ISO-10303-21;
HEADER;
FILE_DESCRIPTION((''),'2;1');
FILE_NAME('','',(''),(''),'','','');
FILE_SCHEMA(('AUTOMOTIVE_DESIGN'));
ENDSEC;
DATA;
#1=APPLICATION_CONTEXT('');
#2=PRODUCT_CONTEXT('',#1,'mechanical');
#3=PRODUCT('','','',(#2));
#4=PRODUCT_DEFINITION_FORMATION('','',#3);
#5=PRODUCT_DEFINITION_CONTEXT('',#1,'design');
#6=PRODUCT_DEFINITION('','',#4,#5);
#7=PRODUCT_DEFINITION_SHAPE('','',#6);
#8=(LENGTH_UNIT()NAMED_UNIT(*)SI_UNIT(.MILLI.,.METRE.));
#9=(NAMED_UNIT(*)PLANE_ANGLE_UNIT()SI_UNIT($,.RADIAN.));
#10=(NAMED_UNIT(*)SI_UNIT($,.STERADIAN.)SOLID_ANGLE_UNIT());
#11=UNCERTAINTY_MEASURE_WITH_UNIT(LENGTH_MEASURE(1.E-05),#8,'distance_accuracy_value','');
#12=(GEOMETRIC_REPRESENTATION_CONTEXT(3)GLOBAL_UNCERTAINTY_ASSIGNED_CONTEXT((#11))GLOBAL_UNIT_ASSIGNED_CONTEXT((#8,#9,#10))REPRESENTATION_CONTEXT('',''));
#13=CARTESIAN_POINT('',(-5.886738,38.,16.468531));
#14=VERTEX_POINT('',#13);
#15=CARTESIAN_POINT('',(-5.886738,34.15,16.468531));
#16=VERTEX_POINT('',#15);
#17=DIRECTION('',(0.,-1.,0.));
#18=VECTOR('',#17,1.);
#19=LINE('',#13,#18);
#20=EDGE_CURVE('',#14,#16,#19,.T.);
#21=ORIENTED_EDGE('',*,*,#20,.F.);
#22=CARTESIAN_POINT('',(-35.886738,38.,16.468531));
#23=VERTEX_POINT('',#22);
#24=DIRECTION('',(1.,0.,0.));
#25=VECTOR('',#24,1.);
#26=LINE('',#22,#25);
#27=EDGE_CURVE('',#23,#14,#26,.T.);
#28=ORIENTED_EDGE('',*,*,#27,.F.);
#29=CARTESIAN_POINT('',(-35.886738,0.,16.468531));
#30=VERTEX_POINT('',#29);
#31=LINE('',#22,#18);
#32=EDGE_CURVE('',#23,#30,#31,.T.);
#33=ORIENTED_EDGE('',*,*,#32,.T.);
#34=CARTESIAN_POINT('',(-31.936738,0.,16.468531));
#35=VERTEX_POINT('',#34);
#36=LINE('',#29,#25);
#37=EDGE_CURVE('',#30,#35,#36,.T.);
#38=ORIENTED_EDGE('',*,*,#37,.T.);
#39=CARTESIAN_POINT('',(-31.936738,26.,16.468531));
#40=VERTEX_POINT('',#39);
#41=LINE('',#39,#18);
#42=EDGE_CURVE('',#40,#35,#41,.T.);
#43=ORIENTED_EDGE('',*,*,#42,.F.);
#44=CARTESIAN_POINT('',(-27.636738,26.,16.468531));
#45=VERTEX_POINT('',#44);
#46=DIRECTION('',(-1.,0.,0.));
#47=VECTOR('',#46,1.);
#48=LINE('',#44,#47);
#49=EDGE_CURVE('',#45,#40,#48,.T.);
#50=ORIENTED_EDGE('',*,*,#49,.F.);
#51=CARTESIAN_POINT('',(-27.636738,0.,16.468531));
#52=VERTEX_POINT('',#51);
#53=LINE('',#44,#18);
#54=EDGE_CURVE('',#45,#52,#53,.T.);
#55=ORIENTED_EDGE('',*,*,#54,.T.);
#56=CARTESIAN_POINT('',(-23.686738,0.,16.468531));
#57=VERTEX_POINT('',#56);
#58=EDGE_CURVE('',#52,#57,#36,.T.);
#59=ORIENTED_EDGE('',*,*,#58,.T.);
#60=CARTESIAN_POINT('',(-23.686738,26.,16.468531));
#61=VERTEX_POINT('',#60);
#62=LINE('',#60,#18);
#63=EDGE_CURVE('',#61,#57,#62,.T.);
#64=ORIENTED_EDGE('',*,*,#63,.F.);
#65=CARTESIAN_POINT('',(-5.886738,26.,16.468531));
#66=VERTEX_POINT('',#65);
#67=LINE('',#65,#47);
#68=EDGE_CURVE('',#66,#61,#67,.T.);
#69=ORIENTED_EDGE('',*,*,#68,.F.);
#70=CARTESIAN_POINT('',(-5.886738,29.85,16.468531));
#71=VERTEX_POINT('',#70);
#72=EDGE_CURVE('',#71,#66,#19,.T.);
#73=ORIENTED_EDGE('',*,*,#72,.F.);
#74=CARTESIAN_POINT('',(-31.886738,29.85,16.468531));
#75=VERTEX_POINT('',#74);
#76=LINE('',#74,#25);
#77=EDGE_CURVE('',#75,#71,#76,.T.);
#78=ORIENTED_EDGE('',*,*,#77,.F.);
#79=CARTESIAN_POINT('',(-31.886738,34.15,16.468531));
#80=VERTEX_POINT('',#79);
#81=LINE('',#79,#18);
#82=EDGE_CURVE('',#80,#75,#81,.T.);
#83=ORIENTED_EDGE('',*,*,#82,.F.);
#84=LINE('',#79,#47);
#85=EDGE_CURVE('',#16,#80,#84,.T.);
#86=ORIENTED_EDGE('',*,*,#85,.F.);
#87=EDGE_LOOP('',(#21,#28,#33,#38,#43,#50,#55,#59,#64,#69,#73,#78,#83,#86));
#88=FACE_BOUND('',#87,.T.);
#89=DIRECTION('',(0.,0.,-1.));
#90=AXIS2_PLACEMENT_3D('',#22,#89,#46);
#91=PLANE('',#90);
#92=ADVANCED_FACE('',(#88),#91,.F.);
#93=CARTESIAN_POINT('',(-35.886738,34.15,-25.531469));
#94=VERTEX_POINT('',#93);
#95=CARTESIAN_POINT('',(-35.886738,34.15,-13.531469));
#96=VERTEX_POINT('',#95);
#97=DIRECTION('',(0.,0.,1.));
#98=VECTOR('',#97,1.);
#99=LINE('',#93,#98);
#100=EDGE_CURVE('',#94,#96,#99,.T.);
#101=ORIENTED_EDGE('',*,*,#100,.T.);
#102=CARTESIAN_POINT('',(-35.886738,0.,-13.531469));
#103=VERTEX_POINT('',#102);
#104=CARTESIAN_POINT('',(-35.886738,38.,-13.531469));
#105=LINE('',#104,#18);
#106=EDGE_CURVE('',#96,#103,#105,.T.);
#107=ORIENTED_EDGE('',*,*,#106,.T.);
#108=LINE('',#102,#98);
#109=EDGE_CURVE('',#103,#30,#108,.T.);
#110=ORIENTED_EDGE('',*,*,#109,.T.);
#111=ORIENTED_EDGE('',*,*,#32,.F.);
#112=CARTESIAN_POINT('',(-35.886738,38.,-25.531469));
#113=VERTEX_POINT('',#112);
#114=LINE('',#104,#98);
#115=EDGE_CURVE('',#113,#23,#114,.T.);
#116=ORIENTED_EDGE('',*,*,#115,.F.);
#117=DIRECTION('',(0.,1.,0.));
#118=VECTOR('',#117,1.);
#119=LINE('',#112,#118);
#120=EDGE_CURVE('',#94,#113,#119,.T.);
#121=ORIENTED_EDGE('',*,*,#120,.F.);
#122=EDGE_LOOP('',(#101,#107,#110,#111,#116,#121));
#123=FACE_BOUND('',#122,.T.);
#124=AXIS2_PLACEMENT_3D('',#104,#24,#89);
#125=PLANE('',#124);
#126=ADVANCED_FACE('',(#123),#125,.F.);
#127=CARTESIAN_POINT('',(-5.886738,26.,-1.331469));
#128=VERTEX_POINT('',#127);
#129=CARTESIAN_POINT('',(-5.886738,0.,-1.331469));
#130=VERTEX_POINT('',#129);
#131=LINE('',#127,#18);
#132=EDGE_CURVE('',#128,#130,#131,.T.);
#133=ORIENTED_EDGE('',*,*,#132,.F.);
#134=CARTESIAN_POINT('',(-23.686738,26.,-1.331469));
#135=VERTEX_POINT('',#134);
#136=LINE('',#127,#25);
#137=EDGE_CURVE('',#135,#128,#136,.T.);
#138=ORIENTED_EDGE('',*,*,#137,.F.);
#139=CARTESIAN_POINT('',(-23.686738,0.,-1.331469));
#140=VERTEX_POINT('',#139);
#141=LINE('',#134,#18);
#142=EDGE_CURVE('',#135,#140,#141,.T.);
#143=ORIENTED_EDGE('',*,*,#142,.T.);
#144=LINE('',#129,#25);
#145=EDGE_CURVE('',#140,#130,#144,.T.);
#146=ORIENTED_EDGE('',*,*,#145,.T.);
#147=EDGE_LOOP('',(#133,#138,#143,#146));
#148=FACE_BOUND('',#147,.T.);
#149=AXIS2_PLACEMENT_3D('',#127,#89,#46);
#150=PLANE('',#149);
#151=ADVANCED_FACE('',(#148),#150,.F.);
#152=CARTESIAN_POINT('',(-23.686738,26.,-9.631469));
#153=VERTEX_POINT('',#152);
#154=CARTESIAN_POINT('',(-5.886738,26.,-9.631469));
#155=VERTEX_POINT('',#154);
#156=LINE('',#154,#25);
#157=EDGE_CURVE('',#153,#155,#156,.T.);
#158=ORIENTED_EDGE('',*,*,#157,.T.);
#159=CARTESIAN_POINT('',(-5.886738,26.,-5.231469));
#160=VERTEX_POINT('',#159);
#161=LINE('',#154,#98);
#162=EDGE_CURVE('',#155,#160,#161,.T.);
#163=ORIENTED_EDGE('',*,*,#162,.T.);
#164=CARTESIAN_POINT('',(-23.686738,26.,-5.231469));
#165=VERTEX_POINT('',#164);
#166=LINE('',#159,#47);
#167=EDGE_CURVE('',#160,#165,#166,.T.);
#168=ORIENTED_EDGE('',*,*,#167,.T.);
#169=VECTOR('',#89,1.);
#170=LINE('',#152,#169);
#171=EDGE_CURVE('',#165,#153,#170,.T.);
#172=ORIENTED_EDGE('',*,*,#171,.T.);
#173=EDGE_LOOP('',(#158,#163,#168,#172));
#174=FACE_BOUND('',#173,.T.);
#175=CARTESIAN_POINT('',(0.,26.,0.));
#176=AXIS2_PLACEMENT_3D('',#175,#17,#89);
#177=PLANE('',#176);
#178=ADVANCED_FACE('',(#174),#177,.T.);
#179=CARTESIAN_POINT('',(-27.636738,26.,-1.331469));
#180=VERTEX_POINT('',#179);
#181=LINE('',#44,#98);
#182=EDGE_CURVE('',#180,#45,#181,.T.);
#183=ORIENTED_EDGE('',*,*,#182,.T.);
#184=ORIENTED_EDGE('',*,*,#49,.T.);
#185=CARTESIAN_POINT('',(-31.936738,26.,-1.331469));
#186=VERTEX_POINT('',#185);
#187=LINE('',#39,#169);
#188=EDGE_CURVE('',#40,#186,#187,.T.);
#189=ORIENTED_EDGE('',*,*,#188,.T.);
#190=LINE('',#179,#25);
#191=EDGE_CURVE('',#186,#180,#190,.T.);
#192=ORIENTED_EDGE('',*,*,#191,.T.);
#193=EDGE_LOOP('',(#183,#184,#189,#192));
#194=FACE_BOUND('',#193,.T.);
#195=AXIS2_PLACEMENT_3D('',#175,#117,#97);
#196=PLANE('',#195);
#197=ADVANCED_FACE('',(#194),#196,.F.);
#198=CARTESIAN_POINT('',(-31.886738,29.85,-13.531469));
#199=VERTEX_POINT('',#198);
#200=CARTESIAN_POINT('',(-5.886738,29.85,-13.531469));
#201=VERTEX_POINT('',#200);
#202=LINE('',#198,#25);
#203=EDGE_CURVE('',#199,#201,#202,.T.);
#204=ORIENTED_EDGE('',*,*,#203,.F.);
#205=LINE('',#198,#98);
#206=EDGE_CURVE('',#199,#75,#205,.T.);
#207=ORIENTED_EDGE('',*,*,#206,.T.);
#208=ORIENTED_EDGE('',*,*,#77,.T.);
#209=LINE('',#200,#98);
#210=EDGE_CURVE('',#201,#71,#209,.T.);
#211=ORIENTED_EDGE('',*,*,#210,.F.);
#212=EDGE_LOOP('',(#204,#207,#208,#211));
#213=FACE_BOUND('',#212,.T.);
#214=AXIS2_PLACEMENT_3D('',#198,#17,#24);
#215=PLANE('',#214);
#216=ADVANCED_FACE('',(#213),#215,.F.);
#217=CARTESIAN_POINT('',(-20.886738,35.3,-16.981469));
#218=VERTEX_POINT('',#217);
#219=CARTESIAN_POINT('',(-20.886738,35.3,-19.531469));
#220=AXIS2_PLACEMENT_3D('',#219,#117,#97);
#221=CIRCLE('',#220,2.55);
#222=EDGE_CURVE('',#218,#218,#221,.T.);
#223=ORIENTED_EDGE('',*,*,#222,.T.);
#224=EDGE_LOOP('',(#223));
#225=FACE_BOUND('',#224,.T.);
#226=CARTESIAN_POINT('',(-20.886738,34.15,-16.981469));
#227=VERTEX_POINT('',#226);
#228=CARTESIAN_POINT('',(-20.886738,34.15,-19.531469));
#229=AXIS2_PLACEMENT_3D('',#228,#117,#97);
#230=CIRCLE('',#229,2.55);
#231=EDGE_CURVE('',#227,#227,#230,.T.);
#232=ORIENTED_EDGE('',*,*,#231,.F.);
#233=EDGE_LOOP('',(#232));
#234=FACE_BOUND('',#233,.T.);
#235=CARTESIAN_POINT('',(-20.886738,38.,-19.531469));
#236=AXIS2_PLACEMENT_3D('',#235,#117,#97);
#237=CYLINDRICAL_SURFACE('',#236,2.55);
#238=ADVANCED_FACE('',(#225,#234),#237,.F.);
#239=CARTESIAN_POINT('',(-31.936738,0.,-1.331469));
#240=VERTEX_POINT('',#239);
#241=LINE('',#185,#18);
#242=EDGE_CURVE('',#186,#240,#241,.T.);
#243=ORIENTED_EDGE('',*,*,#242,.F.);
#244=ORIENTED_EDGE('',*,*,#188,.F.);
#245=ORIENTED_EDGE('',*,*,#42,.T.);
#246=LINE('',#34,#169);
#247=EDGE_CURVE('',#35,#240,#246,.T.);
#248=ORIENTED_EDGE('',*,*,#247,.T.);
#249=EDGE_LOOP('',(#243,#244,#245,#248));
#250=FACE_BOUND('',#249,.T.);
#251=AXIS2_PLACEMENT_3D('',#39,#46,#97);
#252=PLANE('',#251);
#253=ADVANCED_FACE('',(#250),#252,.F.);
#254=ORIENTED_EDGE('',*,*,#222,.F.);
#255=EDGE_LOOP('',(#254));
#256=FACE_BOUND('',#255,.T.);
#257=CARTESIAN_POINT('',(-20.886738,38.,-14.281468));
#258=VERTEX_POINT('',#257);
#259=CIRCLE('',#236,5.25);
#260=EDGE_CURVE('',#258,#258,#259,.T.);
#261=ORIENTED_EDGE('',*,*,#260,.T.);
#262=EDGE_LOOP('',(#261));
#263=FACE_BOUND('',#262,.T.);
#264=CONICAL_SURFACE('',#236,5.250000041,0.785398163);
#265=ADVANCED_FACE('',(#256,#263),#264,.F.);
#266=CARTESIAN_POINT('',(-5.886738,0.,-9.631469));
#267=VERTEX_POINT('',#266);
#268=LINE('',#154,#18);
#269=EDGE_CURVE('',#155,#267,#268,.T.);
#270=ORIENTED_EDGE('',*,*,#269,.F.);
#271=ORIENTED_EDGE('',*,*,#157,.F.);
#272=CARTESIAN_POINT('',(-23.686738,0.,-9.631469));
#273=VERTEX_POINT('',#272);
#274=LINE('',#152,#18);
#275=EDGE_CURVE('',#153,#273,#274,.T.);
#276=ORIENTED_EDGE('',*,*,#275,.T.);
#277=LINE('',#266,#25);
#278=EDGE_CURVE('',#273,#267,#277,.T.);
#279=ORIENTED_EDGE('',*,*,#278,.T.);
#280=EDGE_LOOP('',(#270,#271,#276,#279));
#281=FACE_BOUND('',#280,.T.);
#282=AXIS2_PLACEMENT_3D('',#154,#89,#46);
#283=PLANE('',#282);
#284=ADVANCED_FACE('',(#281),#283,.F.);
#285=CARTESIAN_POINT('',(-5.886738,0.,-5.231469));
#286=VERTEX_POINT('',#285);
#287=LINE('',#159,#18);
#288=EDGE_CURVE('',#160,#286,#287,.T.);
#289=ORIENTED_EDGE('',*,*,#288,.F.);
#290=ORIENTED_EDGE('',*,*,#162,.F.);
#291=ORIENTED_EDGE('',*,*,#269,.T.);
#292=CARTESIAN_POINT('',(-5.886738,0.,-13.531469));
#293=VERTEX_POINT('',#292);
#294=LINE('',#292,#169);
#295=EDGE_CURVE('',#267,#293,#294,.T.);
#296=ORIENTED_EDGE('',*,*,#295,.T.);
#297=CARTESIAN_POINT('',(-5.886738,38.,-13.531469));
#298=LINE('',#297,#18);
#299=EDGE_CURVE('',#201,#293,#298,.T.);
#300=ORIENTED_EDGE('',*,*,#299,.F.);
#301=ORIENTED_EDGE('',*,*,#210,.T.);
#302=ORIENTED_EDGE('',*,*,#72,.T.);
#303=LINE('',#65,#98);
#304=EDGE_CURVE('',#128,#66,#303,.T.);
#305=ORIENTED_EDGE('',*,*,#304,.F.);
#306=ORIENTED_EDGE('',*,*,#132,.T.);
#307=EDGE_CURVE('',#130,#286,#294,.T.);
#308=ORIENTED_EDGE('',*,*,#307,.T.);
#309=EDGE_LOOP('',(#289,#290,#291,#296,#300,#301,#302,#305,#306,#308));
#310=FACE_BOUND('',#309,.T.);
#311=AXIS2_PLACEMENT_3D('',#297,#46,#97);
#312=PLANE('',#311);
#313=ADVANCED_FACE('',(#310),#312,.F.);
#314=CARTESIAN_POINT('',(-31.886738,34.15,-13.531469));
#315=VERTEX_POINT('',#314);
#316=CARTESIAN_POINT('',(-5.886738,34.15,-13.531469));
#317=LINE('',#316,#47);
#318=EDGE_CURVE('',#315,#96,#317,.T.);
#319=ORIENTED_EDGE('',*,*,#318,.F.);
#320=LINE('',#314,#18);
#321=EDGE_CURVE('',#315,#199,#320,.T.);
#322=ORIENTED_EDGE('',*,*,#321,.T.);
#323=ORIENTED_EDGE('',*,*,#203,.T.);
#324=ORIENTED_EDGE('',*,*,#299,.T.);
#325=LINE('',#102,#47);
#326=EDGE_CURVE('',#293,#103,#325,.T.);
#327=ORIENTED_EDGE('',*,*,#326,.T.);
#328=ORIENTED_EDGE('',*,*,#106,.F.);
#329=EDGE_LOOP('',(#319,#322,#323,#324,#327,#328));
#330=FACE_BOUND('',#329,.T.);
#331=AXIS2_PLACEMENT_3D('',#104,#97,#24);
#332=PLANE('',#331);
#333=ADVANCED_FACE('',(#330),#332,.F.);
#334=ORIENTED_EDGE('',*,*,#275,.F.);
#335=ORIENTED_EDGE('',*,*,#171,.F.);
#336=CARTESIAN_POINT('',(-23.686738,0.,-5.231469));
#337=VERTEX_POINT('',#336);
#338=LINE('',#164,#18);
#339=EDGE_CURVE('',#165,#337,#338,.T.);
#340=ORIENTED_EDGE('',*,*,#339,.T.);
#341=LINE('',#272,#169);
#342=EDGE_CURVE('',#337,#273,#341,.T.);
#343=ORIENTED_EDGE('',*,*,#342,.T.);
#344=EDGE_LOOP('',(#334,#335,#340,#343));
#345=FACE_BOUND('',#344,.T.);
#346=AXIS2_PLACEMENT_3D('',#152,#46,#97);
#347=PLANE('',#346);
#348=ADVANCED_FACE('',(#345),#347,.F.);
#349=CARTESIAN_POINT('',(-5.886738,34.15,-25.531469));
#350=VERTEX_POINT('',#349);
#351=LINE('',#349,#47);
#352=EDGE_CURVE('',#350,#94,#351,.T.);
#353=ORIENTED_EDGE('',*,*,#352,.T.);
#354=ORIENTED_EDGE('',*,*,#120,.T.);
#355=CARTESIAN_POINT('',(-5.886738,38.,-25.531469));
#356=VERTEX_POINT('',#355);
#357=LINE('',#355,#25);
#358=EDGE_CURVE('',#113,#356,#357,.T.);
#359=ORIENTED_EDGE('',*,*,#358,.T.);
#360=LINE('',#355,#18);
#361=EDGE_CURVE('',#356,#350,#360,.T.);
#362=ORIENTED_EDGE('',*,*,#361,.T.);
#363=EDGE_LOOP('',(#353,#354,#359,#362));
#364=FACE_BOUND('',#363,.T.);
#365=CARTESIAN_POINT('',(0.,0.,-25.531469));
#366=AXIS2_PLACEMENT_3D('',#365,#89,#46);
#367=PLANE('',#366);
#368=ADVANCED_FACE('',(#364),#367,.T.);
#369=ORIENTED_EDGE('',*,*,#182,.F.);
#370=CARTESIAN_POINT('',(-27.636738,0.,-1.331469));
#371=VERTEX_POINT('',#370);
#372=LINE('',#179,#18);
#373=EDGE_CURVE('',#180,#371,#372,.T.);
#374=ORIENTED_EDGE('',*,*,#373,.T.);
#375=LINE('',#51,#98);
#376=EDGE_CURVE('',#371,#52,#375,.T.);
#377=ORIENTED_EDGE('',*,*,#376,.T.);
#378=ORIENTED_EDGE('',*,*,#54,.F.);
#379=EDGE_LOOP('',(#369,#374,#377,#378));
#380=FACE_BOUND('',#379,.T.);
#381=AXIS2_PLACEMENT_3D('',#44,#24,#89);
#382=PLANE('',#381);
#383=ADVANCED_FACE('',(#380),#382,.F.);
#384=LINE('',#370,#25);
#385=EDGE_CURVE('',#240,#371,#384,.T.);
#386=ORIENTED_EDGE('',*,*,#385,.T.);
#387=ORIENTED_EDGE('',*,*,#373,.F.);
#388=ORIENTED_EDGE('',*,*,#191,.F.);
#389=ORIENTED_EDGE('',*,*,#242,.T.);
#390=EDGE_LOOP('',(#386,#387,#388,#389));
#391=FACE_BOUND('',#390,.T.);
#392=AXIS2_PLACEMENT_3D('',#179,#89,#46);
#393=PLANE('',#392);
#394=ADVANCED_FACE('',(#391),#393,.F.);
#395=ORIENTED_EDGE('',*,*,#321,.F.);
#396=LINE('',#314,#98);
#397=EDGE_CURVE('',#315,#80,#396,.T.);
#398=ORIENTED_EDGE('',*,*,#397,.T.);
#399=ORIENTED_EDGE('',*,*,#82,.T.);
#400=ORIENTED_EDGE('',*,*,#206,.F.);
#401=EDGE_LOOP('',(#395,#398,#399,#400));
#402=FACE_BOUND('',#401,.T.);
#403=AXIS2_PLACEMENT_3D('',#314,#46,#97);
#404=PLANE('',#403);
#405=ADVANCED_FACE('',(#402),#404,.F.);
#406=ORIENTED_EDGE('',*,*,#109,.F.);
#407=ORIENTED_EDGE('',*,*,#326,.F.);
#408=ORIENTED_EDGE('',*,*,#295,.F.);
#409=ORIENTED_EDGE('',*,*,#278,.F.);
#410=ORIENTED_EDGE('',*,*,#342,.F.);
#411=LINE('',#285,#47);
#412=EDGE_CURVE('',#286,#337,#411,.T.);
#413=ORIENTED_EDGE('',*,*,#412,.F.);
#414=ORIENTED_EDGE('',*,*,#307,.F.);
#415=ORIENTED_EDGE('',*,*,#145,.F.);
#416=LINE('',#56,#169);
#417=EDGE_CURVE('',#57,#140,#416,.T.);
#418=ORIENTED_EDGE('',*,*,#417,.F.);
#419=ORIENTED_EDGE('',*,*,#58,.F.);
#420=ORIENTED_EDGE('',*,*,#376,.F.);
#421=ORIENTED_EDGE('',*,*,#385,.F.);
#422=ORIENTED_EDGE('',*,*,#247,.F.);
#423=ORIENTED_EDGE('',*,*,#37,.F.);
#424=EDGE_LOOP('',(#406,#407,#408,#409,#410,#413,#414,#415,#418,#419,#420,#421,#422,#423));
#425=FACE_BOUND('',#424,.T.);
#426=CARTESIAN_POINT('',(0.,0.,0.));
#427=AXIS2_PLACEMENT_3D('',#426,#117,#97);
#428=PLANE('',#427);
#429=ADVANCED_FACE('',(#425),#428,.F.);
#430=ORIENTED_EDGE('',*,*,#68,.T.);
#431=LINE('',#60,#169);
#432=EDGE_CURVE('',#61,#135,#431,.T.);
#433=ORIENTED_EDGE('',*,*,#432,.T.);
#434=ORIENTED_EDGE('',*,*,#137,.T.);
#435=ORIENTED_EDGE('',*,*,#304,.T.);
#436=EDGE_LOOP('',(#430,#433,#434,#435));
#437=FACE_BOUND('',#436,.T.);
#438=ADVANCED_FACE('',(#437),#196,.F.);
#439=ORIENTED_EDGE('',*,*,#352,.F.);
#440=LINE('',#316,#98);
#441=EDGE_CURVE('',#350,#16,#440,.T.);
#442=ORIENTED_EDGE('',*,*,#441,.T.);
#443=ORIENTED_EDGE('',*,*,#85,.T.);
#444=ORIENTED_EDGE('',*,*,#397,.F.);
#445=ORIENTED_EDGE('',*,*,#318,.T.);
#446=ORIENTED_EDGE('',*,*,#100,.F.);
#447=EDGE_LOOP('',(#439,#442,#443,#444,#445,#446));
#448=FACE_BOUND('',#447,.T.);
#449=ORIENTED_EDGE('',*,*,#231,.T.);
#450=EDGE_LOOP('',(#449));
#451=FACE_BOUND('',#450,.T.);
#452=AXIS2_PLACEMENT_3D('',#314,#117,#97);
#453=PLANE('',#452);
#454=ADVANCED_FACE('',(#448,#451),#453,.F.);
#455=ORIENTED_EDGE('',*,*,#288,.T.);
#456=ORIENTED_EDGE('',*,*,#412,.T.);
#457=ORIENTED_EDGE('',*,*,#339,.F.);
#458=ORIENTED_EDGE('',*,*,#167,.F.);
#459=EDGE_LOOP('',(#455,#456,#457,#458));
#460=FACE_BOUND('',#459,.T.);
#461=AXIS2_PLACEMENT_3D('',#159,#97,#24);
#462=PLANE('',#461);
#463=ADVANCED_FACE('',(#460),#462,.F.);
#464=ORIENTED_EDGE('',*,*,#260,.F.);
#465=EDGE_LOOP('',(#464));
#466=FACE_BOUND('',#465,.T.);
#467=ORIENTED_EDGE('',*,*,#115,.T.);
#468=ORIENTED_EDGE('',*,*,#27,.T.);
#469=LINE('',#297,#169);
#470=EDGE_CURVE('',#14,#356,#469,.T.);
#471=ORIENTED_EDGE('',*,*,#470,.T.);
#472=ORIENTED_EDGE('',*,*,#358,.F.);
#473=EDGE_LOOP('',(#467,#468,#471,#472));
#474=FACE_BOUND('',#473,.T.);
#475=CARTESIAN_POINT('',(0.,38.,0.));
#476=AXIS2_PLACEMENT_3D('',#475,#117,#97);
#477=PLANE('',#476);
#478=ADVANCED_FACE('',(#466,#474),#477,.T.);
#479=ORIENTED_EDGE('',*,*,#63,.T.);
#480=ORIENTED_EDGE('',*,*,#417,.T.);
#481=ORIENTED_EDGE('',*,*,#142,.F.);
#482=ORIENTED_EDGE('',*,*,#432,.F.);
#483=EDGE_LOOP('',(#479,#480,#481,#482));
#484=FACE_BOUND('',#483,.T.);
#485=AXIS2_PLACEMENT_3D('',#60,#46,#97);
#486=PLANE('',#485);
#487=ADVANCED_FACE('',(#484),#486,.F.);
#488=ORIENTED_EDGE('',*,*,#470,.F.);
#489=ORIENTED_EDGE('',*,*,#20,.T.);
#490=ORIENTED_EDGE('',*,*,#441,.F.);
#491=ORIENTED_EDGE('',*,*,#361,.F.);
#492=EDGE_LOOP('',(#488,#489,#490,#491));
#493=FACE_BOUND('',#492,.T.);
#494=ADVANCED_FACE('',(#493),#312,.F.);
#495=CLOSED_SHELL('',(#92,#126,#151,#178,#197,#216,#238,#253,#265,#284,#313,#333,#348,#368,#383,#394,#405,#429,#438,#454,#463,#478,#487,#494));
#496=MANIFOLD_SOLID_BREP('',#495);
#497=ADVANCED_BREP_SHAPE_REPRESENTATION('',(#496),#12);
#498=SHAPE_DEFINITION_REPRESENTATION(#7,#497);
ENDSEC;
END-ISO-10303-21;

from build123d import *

# Parameters (mm, degrees)
ESQUISSE1_W                                       = 30
ESQUISSE1_H                                       = 30
BOSS_EXTRU_1_DEPTH                                = 38
ESQUISSE2_W                                       = 17.8
ESQUISSE2_H                                       = 4.4
ESQUISSE2_W_2                                     = 4.3
ESQUISSE2_H_2                                     = 17.8
ENL_V_MAT_EXTRU_1_DEPTH                           = 26
ESQUISSE3_W                                       = 26
ESQUISSE3_H                                       = 4.3
ENL_V_MAT_EXTRU_3_DEPTH                           = 31
ESQUISSE4_W                                       = 30
ESQUISSE4_H                                       = 3.85
BOSS_EXTRU_2_DEPTH                                = 12
FRAISAGE_POUR_VIS_T_TE_FRAIS_E_BOMB_E_D           = 5.09999996
FRAISAGE_POUR_VIS_T_TE_FRAIS_E_BOMB_E_CSINK_D     = 10.500000082
FRAISAGE_POUR_VIS_T_TE_FRAIS_E_BOMB_E_CSINK_ANGLE = 90


with BuildPart() as part:
    # Esquisse1 → Boss.-Extru.1 (new body)
    with BuildSketch(Plane(origin=(0, 0, 0), x_dir=(1, 0, 0), z_dir=(0, 1, 0))):
        with Locations((-20.886738322, -1.468531469)):
            Rectangle(ESQUISSE1_W, ESQUISSE1_H)
    extrude(amount=BOSS_EXTRU_1_DEPTH)

    # Esquisse2 → Enlèv. mat.-Extru.1 (cut)
    with BuildSketch(Plane.XZ):
        with Locations((-14.786738322, -7.431468531)):
            Rectangle(ESQUISSE2_W, ESQUISSE2_H)
        with Locations((-29.786738322, 7.568531469)):
            Rectangle(ESQUISSE2_W_2, ESQUISSE2_H_2)
        with Locations((-14.786738322, 7.568531469)):
            Rectangle(ESQUISSE2_W, ESQUISSE2_H_2)
    extrude(amount=-ENL_V_MAT_EXTRU_1_DEPTH, mode=Mode.SUBTRACT)

    # Esquisse3 → Enlèv. mat.-Extru.3 (cut, through all)
    with BuildSketch(Plane.XY.offset(16.468531469)):
        with Locations((-18.886738322, 32)):
            Rectangle(ESQUISSE3_W, ESQUISSE3_H)
    extrude(amount=-ENL_V_MAT_EXTRU_3_DEPTH, mode=Mode.SUBTRACT)

    # Esquisse4 → Boss.-Extru.2 (add)
    with BuildSketch(Plane(origin=(0, 0, -13.531468531), x_dir=(-1, 0, 0), z_dir=(0, 0, -1))):
        with Locations((20.886738322, 36.075)):
            Rectangle(ESQUISSE4_W, ESQUISSE4_H)
    extrude(amount=BOSS_EXTRU_2_DEPTH)

    # Fraisage pour vis à tête fraisée bombée #51 (through all)
    with Locations(Plane(origin=(-20.886738322, 38, -19.531468531), x_dir=(0, 0, 1), z_dir=(0, 1, 0))):
        with Locations((0, 0)):
            CounterSinkHole(FRAISAGE_POUR_VIS_T_TE_FRAIS_E_BOMB_E_D / 2, FRAISAGE_POUR_VIS_T_TE_FRAIS_E_BOMB_E_CSINK_D / 2, counter_sink_angle=FRAISAGE_POUR_VIS_T_TE_FRAIS_E_BOMB_E_CSINK_ANGLE)


solid = part.part
